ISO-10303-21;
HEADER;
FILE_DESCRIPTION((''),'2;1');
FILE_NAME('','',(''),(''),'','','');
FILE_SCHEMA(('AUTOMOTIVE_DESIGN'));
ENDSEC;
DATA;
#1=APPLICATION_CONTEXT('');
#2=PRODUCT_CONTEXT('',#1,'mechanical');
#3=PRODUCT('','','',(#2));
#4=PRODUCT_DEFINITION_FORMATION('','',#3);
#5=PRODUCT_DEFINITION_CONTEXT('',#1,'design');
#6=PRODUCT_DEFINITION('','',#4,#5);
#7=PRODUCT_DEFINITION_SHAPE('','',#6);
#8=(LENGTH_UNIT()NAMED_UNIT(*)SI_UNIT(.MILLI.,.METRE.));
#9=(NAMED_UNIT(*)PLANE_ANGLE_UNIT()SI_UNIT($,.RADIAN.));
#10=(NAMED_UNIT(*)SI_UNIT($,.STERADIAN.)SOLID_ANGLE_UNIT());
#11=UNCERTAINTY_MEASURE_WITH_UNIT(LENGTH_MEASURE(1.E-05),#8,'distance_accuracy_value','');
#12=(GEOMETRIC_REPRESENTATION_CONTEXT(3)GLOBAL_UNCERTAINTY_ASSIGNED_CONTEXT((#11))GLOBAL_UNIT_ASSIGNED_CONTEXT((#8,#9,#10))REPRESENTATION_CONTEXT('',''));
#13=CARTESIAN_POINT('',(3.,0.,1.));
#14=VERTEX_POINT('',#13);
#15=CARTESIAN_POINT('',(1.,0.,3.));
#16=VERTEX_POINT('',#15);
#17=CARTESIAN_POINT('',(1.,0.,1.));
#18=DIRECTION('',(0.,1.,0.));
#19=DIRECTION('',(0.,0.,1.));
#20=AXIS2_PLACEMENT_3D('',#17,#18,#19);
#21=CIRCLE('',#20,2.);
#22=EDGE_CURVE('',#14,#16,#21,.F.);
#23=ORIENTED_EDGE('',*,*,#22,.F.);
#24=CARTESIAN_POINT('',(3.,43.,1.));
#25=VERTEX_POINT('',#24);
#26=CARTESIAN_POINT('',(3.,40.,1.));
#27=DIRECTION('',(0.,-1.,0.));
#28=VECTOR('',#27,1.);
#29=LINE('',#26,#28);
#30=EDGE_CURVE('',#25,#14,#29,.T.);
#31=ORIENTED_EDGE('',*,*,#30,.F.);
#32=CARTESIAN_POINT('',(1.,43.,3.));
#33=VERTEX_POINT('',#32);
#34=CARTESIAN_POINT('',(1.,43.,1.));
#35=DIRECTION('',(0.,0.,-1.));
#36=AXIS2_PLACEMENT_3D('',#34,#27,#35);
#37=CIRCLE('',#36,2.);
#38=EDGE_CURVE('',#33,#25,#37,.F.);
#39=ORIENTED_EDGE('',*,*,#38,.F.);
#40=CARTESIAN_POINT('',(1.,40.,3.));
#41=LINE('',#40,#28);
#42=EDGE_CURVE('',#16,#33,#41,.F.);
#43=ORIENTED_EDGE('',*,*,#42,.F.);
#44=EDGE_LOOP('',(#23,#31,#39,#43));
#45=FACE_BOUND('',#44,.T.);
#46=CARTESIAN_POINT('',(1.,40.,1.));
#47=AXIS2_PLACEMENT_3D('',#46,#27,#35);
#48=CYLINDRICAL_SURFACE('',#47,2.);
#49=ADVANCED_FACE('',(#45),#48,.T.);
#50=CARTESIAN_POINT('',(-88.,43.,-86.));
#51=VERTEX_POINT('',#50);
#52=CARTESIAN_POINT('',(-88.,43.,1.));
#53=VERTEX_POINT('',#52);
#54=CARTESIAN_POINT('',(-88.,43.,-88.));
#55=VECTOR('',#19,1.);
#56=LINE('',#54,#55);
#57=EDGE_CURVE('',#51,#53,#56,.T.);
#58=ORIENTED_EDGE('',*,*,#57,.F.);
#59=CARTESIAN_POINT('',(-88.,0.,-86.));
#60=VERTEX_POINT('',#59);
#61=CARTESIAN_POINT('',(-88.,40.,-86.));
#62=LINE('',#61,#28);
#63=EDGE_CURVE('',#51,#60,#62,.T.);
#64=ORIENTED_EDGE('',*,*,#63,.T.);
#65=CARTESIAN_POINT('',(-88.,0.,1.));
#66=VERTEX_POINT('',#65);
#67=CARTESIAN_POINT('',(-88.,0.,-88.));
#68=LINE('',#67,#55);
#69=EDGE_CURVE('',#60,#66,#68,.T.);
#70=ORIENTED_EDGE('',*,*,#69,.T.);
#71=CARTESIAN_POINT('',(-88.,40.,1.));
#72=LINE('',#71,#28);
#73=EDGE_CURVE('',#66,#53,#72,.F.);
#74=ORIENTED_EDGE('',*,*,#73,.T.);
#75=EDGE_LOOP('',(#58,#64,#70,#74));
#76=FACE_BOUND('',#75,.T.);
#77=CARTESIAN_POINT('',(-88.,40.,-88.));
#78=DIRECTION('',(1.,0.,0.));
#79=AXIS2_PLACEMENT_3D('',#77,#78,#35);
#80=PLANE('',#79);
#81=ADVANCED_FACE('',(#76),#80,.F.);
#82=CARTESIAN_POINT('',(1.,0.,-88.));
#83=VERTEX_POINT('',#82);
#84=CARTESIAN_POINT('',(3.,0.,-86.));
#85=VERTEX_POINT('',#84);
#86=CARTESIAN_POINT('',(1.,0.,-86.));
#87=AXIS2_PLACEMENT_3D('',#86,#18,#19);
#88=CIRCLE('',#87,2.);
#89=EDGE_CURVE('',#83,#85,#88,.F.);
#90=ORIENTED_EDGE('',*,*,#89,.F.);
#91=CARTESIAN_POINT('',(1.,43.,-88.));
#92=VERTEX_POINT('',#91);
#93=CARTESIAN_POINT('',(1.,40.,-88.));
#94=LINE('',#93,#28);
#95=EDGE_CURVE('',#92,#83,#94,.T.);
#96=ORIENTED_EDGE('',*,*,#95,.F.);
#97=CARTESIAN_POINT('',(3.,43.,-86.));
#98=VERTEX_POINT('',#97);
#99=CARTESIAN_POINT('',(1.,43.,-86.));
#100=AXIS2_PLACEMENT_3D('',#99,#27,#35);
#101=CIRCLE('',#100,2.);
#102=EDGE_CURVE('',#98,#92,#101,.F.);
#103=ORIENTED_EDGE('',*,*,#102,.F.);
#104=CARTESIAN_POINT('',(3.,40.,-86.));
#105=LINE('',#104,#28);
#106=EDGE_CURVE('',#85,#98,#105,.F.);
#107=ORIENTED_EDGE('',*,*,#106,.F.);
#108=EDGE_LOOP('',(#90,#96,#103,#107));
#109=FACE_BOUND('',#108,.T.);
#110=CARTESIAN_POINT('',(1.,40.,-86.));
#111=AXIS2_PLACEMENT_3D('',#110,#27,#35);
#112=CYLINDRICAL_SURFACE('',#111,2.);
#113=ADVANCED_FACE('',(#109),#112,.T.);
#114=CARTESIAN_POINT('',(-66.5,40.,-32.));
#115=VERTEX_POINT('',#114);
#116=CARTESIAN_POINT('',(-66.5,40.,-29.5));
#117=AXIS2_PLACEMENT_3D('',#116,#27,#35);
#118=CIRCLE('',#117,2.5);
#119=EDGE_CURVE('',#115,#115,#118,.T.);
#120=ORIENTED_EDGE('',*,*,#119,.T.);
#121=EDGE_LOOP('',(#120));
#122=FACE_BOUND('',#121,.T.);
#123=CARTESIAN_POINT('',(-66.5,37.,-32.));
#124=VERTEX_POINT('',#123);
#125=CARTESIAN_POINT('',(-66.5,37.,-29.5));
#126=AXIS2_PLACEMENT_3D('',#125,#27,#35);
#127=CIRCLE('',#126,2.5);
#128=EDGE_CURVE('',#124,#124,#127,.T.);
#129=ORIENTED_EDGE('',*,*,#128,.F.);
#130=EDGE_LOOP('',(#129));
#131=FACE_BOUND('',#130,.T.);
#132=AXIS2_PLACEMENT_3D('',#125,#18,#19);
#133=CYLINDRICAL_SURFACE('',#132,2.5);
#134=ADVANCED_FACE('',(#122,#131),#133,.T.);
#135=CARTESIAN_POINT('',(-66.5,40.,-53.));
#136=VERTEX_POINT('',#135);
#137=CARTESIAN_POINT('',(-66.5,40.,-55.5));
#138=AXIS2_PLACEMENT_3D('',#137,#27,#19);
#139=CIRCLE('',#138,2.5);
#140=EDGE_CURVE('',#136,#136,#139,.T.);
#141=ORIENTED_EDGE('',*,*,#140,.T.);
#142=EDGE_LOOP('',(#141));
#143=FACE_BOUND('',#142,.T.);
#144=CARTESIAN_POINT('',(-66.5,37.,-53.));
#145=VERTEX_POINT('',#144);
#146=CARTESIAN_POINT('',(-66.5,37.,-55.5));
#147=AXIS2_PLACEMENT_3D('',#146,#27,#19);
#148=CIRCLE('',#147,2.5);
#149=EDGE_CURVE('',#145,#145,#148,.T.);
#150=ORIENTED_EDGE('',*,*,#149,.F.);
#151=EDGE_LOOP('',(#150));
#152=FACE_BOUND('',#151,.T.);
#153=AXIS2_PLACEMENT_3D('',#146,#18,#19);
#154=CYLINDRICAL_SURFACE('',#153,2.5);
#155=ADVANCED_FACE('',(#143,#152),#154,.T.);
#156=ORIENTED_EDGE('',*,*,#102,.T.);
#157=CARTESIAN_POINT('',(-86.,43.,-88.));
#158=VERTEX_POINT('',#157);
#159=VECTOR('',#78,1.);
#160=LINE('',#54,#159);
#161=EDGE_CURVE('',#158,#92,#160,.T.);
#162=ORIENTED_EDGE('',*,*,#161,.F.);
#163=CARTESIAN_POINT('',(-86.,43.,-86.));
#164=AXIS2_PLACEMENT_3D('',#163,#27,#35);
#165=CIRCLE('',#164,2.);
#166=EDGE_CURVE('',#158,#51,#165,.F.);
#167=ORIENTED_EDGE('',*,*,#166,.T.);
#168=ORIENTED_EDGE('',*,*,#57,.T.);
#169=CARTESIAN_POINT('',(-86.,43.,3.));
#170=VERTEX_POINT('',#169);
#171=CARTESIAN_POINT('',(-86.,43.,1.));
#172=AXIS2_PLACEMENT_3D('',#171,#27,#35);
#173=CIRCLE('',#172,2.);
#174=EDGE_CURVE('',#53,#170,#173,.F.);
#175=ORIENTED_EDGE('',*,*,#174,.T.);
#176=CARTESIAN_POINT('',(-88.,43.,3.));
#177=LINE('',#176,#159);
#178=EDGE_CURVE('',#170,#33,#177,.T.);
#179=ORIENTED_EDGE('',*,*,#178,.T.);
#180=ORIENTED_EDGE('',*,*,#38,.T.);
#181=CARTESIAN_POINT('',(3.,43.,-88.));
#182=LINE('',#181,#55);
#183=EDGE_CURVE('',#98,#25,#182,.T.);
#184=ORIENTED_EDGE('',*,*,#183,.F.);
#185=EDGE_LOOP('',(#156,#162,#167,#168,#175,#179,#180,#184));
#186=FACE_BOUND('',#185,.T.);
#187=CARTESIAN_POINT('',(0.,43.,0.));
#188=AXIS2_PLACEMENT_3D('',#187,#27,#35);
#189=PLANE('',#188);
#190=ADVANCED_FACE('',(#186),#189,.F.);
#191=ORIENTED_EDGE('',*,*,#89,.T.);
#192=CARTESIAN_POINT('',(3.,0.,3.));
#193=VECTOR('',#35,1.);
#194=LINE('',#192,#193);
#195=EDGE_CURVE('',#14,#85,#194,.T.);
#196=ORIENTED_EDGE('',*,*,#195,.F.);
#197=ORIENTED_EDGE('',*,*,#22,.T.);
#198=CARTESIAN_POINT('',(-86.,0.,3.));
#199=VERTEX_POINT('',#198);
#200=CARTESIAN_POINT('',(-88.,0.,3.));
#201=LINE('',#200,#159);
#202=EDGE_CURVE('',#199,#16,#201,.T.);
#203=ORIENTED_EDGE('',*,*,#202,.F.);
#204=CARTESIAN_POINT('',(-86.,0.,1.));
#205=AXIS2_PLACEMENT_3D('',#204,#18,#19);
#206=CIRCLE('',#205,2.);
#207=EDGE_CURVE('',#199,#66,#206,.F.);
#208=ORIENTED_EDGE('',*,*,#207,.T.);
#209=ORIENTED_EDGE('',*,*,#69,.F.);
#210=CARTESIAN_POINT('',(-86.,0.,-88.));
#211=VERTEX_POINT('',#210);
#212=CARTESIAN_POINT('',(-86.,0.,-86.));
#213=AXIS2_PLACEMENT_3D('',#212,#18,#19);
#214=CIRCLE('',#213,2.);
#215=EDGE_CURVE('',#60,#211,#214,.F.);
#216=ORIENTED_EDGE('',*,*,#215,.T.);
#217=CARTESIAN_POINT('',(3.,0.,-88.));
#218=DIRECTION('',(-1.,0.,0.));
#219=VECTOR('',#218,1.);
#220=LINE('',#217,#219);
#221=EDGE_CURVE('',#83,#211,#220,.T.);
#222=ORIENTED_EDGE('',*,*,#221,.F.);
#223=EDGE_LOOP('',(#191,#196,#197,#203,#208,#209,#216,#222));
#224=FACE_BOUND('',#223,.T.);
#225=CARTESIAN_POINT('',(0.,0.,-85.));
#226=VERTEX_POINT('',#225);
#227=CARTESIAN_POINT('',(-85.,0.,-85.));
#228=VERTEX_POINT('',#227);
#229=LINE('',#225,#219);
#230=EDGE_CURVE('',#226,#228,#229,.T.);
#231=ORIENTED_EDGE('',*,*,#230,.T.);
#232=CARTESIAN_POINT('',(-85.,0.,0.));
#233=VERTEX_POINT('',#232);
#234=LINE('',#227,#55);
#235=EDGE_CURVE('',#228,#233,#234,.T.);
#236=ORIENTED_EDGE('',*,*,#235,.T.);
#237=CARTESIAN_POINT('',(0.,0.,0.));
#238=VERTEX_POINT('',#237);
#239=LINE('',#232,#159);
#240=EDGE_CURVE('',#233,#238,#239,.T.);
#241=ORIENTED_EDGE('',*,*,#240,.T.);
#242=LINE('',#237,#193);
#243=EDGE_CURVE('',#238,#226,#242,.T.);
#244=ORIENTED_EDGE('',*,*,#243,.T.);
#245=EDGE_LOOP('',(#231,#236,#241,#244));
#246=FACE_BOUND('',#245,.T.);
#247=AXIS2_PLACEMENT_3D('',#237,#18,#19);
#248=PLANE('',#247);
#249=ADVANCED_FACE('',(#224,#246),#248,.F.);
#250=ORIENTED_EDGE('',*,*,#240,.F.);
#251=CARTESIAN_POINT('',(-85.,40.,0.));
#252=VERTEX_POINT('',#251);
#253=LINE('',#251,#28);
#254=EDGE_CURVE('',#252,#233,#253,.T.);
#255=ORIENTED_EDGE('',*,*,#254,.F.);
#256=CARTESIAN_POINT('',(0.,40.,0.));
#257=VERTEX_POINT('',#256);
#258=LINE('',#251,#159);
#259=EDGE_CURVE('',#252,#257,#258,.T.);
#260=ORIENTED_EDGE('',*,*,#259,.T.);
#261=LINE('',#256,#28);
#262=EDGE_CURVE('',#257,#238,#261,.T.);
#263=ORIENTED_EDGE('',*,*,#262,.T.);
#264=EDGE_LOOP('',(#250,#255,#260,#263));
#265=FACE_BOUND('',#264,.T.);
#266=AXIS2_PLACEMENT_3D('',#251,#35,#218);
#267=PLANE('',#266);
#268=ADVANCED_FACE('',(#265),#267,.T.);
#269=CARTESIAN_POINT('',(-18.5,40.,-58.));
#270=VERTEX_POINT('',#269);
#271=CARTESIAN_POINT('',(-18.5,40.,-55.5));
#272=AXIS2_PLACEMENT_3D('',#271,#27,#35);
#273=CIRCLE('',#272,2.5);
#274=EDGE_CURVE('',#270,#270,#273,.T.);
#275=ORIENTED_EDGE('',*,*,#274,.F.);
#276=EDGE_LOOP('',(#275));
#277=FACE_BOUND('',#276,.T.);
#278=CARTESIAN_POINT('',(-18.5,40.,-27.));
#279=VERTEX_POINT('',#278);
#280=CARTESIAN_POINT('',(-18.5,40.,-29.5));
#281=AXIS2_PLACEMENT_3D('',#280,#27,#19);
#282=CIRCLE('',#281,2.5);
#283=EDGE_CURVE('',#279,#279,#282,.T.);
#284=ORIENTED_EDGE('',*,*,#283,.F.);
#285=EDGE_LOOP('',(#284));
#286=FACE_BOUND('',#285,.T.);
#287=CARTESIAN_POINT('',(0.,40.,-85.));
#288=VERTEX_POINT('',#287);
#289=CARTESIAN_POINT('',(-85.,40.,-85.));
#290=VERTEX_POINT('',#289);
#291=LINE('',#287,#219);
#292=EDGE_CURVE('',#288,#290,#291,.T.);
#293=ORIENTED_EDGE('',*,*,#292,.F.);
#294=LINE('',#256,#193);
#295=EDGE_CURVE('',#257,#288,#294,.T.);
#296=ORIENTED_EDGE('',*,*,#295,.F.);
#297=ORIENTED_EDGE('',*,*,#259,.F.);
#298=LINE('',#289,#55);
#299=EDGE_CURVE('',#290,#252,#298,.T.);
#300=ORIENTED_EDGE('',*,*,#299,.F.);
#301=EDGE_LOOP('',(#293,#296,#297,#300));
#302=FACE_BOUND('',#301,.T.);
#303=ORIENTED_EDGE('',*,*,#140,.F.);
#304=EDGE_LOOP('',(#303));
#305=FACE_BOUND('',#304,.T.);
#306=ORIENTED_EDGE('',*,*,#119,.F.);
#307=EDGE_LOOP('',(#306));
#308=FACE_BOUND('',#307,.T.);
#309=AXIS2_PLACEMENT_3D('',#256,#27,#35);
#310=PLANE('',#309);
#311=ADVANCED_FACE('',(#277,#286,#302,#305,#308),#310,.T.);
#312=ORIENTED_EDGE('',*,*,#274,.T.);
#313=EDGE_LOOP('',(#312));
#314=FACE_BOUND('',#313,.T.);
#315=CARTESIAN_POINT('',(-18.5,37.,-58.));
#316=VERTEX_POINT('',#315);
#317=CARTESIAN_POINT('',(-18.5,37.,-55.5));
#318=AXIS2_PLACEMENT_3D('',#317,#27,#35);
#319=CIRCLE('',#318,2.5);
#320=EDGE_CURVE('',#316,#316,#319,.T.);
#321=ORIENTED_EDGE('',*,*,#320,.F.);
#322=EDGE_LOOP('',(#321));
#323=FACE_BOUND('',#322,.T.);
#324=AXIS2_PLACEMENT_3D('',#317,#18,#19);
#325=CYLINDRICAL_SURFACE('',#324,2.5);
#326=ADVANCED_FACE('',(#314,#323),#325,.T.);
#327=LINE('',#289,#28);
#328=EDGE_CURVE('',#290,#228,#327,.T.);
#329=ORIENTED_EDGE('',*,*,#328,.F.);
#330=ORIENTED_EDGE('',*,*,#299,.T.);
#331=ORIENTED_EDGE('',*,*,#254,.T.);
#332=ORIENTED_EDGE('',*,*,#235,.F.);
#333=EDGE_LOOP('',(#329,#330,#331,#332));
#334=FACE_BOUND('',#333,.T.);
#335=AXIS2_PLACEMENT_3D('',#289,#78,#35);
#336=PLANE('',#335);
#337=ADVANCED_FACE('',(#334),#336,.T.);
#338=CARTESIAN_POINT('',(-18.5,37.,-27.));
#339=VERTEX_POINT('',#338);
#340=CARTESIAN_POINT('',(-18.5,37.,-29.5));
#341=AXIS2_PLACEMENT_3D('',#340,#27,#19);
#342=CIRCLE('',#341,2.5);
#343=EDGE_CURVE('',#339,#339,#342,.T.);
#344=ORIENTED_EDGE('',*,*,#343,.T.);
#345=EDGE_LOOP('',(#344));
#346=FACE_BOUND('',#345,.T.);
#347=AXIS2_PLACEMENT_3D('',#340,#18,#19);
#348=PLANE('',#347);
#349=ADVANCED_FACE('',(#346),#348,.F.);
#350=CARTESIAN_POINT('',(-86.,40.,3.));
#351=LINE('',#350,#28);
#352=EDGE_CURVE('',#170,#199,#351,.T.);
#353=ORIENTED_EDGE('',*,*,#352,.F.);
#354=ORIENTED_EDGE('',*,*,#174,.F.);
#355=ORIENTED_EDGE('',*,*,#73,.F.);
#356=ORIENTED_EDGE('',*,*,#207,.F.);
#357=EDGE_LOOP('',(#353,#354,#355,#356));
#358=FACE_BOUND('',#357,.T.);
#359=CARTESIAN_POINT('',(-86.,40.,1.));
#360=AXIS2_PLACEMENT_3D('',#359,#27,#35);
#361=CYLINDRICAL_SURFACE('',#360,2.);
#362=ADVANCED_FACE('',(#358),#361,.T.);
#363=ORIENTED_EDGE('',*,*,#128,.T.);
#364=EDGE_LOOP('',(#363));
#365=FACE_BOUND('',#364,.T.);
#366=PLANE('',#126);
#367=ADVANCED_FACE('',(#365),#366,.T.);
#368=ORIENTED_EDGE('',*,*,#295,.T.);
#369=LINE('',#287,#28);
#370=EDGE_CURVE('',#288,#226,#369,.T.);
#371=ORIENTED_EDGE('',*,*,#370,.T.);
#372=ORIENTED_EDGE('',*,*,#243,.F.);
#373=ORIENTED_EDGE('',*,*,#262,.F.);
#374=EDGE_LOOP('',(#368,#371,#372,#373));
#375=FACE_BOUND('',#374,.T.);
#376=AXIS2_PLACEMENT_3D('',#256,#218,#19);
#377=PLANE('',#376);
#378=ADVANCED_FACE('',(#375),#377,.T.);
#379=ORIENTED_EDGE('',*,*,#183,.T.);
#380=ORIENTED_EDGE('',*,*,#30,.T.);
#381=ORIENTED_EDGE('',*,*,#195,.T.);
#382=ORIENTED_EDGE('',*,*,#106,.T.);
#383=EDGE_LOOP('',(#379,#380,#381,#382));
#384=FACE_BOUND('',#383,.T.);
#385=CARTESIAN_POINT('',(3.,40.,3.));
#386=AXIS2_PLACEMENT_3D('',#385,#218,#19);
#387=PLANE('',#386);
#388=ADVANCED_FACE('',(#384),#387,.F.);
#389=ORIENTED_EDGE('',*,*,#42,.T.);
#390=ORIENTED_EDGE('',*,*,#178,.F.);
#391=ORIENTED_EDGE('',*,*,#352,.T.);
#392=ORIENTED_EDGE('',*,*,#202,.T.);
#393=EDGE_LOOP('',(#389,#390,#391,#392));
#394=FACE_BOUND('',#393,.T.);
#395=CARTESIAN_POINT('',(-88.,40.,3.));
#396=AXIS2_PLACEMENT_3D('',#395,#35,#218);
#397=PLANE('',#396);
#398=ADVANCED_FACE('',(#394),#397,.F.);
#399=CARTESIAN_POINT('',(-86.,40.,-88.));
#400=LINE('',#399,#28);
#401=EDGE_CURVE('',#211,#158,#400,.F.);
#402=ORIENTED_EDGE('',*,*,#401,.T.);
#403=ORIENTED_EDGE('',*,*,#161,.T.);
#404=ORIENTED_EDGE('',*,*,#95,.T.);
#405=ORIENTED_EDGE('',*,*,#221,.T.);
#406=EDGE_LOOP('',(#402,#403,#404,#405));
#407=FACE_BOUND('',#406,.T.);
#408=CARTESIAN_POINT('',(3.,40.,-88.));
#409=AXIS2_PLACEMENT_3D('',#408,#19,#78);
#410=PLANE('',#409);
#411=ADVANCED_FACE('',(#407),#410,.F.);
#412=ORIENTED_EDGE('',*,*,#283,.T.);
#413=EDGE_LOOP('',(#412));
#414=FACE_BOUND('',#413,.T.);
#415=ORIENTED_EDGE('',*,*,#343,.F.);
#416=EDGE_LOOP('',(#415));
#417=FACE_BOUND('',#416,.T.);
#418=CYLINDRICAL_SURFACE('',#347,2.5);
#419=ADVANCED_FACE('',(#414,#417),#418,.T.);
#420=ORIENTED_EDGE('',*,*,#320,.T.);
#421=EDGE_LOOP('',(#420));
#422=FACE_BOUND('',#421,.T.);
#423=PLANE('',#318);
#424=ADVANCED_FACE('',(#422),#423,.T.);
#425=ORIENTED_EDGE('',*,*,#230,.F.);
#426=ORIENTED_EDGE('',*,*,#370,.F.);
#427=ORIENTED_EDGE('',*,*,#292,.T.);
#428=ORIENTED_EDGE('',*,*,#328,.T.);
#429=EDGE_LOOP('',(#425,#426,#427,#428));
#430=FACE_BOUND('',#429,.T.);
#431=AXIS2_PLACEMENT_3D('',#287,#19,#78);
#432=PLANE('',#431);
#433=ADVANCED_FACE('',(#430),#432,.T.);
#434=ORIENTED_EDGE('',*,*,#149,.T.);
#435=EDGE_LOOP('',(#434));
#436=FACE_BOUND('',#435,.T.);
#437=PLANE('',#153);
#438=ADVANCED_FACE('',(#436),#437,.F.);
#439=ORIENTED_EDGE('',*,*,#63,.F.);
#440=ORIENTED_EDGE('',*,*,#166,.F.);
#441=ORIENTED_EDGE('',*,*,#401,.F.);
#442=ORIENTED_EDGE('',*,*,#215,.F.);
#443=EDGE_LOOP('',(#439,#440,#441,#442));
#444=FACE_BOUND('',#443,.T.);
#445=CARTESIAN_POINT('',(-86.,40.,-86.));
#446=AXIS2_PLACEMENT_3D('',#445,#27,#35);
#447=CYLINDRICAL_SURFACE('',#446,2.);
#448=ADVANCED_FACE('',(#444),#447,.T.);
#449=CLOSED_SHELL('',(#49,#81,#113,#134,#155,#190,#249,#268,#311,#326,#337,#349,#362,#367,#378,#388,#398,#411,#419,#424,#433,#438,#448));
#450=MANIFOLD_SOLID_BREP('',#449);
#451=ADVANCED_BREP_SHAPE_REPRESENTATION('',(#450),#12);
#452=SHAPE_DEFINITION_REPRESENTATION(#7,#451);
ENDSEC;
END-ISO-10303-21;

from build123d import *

# Parameters (mm, degrees)
SKETCH1_W           = 91
SKETCH1_H           = 91
SKETCH1_W_2         = 85
SKETCH1_H_2         = 85
BOSS_EXTRUDE1_DEPTH = 40
SKETCH2_W           = 91
SKETCH2_H           = 91
BOSS_EXTRUDE2_DEPTH = 3
FILLET1_R           = 2
SKETCH3_R           = 2.5
BOSS_EXTRUDE3_DEPTH = 3


with BuildPart() as part:
    # Sketch1 → Boss-Extrude1 (new body)
    with BuildSketch(Plane(origin=(0, 0, 0), x_dir=(1, 0, 0), z_dir=(0, 1, 0))):
        with Locations((-42.5, 42.5)):
            Rectangle(SKETCH1_W, SKETCH1_H)
        with Locations((-42.5, 42.5)):
            Rectangle(SKETCH1_W_2, SKETCH1_H_2, mode=Mode.SUBTRACT)
    extrude(amount=BOSS_EXTRUDE1_DEPTH)

    # Sketch2 → Boss-Extrude2 (add)
    with BuildSketch(Plane(origin=(0, 40, 0), x_dir=(1, 0, 0), z_dir=(0, 1, 0))):
        with Locations((-42.5, 42.5)):
            Rectangle(SKETCH2_W, SKETCH2_H)
    extrude(amount=BOSS_EXTRUDE2_DEPTH)

    # Fillet1
    fillet1_edges = [part.edges().sort_by_distance(p)[0] for p in [
        (3, 21.5, -88),
        (3, 21.5, 3),
        (-88, 21.5, 3),
        (-88, 21.5, -88),
    ]]
    fillet(fillet1_edges, radius=FILLET1_R)

    # Sketch3 → Boss-Extrude3 (add)
    with BuildSketch(Plane.XZ.offset(-40)):
        with Locations(Location((-66.5, -29.5, 0), (0, 0, 270))):
            Circle(SKETCH3_R)
        with Locations(Location((-66.5, -55.5, 0), (0, 0, 90))):
            Circle(SKETCH3_R)
        with Locations(Location((-18.5, -55.5, 0), (0, 0, 270))):
            Circle(SKETCH3_R)
        with Locations(Location((-18.5, -29.5, 0), (0, 0, 90))):
            Circle(SKETCH3_R)
    extrude(amount=BOSS_EXTRUDE3_DEPTH)


solid = part.part
